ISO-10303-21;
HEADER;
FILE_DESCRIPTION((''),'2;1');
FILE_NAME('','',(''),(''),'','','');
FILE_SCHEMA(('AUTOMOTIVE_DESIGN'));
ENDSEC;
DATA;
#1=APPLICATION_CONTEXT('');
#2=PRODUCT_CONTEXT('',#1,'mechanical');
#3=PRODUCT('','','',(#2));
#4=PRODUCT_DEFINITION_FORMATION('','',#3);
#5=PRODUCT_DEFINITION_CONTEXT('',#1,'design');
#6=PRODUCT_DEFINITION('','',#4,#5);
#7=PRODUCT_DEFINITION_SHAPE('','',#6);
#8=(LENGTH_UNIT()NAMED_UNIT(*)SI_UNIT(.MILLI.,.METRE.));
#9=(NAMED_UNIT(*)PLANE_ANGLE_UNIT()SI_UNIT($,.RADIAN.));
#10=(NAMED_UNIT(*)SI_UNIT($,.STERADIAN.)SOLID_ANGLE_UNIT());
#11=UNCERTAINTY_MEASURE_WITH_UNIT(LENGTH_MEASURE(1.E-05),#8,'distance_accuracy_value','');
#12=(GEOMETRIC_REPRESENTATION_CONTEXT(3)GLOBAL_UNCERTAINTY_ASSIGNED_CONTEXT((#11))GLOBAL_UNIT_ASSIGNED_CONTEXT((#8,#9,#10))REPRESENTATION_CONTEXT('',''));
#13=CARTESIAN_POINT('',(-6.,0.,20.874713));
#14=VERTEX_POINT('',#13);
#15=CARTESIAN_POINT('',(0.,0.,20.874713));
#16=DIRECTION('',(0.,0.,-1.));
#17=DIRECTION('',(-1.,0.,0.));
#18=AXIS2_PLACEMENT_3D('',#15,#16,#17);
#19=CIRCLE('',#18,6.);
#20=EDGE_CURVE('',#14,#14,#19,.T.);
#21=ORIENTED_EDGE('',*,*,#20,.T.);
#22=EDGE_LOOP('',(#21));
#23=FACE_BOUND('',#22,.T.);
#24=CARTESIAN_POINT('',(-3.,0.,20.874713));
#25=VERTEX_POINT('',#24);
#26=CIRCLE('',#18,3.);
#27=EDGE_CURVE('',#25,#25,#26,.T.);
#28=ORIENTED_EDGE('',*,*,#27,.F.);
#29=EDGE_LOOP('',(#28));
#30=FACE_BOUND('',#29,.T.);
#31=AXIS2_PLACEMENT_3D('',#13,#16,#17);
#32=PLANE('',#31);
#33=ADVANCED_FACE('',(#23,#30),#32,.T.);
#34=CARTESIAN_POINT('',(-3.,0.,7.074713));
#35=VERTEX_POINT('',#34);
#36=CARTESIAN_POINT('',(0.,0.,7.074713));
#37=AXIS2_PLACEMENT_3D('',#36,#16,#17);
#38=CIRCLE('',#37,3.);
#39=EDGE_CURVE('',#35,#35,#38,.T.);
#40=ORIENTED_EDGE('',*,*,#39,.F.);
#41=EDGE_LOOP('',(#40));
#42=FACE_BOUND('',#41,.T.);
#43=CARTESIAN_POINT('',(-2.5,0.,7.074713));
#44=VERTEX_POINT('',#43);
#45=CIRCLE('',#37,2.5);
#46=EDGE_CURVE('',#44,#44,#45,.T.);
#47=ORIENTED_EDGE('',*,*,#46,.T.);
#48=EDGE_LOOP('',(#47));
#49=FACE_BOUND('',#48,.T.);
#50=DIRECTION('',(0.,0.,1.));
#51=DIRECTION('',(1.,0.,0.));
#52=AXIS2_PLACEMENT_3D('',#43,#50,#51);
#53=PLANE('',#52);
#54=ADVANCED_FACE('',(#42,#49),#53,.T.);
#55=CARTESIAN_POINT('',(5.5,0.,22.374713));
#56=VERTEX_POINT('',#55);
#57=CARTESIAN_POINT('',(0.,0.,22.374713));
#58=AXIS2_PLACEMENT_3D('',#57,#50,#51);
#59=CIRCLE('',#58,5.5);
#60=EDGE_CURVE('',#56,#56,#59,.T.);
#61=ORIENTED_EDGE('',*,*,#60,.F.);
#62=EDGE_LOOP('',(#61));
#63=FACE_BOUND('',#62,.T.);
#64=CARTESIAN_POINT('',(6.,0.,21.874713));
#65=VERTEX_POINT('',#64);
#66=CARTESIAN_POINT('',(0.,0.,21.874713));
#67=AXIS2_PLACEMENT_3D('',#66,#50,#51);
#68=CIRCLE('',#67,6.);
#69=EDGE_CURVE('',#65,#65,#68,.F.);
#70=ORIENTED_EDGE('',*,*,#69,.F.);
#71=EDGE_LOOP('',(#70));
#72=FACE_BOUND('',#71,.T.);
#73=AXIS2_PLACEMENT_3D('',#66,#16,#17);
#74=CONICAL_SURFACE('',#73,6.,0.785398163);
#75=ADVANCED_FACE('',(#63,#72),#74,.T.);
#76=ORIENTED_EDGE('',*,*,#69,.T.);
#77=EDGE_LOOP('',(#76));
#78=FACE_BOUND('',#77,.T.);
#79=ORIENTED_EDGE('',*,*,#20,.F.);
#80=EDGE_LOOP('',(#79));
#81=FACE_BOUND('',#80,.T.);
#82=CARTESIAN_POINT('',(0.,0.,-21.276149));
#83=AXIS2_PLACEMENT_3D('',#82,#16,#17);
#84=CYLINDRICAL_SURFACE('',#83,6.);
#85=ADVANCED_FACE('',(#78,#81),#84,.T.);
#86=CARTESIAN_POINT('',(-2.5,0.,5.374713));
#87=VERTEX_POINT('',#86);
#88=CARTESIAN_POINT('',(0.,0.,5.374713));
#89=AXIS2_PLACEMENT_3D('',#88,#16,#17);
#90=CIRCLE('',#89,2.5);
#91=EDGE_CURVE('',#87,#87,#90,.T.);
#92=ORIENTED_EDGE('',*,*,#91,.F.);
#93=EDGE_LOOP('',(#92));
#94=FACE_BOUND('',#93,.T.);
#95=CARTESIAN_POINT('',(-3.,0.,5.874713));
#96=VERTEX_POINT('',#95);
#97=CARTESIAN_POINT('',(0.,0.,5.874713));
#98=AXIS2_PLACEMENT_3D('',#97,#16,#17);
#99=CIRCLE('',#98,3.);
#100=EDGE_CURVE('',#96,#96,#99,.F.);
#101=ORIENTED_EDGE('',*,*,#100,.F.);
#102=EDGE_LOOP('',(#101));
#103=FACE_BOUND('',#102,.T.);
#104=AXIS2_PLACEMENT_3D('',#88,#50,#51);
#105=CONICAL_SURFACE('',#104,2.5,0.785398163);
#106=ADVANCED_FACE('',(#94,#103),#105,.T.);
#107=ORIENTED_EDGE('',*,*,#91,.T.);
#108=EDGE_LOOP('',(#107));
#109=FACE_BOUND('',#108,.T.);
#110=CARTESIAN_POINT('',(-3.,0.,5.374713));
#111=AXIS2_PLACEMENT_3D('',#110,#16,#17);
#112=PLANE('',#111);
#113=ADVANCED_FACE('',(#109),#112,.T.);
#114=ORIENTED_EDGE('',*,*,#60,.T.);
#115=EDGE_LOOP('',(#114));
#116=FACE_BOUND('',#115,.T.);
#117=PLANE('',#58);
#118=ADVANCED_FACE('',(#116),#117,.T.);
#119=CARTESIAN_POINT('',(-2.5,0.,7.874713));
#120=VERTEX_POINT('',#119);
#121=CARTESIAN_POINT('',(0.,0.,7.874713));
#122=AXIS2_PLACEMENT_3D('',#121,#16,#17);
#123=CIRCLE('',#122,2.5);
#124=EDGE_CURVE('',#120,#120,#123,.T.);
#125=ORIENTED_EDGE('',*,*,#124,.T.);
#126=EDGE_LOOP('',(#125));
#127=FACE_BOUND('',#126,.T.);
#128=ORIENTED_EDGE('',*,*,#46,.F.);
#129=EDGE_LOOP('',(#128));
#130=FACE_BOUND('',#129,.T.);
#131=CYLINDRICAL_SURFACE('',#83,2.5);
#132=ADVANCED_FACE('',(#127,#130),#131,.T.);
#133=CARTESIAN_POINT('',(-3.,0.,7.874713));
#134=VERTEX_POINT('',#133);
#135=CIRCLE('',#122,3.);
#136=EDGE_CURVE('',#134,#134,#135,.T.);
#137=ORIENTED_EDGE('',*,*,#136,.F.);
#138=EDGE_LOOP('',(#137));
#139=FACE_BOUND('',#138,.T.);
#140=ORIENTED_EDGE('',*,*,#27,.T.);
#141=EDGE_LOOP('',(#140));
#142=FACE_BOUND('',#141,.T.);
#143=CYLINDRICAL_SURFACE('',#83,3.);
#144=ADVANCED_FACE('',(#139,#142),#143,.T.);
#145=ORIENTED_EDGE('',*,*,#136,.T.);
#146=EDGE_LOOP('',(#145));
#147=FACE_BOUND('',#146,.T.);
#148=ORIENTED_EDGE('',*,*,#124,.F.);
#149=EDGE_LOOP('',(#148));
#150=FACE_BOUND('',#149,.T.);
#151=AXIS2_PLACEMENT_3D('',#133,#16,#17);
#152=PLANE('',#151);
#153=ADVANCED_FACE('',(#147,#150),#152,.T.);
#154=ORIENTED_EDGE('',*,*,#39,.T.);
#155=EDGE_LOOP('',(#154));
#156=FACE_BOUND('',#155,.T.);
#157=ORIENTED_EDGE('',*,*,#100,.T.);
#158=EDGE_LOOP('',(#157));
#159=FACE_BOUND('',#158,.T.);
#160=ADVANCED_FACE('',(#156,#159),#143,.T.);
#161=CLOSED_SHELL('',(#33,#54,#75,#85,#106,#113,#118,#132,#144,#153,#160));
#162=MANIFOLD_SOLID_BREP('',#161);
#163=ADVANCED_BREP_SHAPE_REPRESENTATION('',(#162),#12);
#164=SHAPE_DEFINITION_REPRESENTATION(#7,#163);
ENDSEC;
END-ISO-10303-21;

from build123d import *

# Parameters (mm, degrees)
CHAMFER1_SIZE = 0.5


with BuildPart() as part:
    # Sketch1 → Revolve1 (revolve)
    with BuildSketch(Plane(origin=(0, 0, 0), x_dir=(1, 0, 0), z_dir=(0, 1, 0))):
        Polygon((0, -22.374712644), (-6, -22.374712644), (-6, -20.874712644), (-3, -20.874712644), (-3, -7.874712644), (-2.5, -7.874712644), (-2.5, -7.074712644), (-3, -7.074712644), (-3, -5.374712644), (0, -5.374712644), align=None)
    revolve(axis=Axis((0, 0, -21.276149425), (0, 0, 1)))

    # Chamfer1
    chamfer1_edges = [part.edges().sort_by_distance(p)[0] for p in [
        (3, 0, 5.374712644),
        (6, 0, 22.374712644),
    ]]
    chamfer(chamfer1_edges, length=CHAMFER1_SIZE)


solid = part.part
